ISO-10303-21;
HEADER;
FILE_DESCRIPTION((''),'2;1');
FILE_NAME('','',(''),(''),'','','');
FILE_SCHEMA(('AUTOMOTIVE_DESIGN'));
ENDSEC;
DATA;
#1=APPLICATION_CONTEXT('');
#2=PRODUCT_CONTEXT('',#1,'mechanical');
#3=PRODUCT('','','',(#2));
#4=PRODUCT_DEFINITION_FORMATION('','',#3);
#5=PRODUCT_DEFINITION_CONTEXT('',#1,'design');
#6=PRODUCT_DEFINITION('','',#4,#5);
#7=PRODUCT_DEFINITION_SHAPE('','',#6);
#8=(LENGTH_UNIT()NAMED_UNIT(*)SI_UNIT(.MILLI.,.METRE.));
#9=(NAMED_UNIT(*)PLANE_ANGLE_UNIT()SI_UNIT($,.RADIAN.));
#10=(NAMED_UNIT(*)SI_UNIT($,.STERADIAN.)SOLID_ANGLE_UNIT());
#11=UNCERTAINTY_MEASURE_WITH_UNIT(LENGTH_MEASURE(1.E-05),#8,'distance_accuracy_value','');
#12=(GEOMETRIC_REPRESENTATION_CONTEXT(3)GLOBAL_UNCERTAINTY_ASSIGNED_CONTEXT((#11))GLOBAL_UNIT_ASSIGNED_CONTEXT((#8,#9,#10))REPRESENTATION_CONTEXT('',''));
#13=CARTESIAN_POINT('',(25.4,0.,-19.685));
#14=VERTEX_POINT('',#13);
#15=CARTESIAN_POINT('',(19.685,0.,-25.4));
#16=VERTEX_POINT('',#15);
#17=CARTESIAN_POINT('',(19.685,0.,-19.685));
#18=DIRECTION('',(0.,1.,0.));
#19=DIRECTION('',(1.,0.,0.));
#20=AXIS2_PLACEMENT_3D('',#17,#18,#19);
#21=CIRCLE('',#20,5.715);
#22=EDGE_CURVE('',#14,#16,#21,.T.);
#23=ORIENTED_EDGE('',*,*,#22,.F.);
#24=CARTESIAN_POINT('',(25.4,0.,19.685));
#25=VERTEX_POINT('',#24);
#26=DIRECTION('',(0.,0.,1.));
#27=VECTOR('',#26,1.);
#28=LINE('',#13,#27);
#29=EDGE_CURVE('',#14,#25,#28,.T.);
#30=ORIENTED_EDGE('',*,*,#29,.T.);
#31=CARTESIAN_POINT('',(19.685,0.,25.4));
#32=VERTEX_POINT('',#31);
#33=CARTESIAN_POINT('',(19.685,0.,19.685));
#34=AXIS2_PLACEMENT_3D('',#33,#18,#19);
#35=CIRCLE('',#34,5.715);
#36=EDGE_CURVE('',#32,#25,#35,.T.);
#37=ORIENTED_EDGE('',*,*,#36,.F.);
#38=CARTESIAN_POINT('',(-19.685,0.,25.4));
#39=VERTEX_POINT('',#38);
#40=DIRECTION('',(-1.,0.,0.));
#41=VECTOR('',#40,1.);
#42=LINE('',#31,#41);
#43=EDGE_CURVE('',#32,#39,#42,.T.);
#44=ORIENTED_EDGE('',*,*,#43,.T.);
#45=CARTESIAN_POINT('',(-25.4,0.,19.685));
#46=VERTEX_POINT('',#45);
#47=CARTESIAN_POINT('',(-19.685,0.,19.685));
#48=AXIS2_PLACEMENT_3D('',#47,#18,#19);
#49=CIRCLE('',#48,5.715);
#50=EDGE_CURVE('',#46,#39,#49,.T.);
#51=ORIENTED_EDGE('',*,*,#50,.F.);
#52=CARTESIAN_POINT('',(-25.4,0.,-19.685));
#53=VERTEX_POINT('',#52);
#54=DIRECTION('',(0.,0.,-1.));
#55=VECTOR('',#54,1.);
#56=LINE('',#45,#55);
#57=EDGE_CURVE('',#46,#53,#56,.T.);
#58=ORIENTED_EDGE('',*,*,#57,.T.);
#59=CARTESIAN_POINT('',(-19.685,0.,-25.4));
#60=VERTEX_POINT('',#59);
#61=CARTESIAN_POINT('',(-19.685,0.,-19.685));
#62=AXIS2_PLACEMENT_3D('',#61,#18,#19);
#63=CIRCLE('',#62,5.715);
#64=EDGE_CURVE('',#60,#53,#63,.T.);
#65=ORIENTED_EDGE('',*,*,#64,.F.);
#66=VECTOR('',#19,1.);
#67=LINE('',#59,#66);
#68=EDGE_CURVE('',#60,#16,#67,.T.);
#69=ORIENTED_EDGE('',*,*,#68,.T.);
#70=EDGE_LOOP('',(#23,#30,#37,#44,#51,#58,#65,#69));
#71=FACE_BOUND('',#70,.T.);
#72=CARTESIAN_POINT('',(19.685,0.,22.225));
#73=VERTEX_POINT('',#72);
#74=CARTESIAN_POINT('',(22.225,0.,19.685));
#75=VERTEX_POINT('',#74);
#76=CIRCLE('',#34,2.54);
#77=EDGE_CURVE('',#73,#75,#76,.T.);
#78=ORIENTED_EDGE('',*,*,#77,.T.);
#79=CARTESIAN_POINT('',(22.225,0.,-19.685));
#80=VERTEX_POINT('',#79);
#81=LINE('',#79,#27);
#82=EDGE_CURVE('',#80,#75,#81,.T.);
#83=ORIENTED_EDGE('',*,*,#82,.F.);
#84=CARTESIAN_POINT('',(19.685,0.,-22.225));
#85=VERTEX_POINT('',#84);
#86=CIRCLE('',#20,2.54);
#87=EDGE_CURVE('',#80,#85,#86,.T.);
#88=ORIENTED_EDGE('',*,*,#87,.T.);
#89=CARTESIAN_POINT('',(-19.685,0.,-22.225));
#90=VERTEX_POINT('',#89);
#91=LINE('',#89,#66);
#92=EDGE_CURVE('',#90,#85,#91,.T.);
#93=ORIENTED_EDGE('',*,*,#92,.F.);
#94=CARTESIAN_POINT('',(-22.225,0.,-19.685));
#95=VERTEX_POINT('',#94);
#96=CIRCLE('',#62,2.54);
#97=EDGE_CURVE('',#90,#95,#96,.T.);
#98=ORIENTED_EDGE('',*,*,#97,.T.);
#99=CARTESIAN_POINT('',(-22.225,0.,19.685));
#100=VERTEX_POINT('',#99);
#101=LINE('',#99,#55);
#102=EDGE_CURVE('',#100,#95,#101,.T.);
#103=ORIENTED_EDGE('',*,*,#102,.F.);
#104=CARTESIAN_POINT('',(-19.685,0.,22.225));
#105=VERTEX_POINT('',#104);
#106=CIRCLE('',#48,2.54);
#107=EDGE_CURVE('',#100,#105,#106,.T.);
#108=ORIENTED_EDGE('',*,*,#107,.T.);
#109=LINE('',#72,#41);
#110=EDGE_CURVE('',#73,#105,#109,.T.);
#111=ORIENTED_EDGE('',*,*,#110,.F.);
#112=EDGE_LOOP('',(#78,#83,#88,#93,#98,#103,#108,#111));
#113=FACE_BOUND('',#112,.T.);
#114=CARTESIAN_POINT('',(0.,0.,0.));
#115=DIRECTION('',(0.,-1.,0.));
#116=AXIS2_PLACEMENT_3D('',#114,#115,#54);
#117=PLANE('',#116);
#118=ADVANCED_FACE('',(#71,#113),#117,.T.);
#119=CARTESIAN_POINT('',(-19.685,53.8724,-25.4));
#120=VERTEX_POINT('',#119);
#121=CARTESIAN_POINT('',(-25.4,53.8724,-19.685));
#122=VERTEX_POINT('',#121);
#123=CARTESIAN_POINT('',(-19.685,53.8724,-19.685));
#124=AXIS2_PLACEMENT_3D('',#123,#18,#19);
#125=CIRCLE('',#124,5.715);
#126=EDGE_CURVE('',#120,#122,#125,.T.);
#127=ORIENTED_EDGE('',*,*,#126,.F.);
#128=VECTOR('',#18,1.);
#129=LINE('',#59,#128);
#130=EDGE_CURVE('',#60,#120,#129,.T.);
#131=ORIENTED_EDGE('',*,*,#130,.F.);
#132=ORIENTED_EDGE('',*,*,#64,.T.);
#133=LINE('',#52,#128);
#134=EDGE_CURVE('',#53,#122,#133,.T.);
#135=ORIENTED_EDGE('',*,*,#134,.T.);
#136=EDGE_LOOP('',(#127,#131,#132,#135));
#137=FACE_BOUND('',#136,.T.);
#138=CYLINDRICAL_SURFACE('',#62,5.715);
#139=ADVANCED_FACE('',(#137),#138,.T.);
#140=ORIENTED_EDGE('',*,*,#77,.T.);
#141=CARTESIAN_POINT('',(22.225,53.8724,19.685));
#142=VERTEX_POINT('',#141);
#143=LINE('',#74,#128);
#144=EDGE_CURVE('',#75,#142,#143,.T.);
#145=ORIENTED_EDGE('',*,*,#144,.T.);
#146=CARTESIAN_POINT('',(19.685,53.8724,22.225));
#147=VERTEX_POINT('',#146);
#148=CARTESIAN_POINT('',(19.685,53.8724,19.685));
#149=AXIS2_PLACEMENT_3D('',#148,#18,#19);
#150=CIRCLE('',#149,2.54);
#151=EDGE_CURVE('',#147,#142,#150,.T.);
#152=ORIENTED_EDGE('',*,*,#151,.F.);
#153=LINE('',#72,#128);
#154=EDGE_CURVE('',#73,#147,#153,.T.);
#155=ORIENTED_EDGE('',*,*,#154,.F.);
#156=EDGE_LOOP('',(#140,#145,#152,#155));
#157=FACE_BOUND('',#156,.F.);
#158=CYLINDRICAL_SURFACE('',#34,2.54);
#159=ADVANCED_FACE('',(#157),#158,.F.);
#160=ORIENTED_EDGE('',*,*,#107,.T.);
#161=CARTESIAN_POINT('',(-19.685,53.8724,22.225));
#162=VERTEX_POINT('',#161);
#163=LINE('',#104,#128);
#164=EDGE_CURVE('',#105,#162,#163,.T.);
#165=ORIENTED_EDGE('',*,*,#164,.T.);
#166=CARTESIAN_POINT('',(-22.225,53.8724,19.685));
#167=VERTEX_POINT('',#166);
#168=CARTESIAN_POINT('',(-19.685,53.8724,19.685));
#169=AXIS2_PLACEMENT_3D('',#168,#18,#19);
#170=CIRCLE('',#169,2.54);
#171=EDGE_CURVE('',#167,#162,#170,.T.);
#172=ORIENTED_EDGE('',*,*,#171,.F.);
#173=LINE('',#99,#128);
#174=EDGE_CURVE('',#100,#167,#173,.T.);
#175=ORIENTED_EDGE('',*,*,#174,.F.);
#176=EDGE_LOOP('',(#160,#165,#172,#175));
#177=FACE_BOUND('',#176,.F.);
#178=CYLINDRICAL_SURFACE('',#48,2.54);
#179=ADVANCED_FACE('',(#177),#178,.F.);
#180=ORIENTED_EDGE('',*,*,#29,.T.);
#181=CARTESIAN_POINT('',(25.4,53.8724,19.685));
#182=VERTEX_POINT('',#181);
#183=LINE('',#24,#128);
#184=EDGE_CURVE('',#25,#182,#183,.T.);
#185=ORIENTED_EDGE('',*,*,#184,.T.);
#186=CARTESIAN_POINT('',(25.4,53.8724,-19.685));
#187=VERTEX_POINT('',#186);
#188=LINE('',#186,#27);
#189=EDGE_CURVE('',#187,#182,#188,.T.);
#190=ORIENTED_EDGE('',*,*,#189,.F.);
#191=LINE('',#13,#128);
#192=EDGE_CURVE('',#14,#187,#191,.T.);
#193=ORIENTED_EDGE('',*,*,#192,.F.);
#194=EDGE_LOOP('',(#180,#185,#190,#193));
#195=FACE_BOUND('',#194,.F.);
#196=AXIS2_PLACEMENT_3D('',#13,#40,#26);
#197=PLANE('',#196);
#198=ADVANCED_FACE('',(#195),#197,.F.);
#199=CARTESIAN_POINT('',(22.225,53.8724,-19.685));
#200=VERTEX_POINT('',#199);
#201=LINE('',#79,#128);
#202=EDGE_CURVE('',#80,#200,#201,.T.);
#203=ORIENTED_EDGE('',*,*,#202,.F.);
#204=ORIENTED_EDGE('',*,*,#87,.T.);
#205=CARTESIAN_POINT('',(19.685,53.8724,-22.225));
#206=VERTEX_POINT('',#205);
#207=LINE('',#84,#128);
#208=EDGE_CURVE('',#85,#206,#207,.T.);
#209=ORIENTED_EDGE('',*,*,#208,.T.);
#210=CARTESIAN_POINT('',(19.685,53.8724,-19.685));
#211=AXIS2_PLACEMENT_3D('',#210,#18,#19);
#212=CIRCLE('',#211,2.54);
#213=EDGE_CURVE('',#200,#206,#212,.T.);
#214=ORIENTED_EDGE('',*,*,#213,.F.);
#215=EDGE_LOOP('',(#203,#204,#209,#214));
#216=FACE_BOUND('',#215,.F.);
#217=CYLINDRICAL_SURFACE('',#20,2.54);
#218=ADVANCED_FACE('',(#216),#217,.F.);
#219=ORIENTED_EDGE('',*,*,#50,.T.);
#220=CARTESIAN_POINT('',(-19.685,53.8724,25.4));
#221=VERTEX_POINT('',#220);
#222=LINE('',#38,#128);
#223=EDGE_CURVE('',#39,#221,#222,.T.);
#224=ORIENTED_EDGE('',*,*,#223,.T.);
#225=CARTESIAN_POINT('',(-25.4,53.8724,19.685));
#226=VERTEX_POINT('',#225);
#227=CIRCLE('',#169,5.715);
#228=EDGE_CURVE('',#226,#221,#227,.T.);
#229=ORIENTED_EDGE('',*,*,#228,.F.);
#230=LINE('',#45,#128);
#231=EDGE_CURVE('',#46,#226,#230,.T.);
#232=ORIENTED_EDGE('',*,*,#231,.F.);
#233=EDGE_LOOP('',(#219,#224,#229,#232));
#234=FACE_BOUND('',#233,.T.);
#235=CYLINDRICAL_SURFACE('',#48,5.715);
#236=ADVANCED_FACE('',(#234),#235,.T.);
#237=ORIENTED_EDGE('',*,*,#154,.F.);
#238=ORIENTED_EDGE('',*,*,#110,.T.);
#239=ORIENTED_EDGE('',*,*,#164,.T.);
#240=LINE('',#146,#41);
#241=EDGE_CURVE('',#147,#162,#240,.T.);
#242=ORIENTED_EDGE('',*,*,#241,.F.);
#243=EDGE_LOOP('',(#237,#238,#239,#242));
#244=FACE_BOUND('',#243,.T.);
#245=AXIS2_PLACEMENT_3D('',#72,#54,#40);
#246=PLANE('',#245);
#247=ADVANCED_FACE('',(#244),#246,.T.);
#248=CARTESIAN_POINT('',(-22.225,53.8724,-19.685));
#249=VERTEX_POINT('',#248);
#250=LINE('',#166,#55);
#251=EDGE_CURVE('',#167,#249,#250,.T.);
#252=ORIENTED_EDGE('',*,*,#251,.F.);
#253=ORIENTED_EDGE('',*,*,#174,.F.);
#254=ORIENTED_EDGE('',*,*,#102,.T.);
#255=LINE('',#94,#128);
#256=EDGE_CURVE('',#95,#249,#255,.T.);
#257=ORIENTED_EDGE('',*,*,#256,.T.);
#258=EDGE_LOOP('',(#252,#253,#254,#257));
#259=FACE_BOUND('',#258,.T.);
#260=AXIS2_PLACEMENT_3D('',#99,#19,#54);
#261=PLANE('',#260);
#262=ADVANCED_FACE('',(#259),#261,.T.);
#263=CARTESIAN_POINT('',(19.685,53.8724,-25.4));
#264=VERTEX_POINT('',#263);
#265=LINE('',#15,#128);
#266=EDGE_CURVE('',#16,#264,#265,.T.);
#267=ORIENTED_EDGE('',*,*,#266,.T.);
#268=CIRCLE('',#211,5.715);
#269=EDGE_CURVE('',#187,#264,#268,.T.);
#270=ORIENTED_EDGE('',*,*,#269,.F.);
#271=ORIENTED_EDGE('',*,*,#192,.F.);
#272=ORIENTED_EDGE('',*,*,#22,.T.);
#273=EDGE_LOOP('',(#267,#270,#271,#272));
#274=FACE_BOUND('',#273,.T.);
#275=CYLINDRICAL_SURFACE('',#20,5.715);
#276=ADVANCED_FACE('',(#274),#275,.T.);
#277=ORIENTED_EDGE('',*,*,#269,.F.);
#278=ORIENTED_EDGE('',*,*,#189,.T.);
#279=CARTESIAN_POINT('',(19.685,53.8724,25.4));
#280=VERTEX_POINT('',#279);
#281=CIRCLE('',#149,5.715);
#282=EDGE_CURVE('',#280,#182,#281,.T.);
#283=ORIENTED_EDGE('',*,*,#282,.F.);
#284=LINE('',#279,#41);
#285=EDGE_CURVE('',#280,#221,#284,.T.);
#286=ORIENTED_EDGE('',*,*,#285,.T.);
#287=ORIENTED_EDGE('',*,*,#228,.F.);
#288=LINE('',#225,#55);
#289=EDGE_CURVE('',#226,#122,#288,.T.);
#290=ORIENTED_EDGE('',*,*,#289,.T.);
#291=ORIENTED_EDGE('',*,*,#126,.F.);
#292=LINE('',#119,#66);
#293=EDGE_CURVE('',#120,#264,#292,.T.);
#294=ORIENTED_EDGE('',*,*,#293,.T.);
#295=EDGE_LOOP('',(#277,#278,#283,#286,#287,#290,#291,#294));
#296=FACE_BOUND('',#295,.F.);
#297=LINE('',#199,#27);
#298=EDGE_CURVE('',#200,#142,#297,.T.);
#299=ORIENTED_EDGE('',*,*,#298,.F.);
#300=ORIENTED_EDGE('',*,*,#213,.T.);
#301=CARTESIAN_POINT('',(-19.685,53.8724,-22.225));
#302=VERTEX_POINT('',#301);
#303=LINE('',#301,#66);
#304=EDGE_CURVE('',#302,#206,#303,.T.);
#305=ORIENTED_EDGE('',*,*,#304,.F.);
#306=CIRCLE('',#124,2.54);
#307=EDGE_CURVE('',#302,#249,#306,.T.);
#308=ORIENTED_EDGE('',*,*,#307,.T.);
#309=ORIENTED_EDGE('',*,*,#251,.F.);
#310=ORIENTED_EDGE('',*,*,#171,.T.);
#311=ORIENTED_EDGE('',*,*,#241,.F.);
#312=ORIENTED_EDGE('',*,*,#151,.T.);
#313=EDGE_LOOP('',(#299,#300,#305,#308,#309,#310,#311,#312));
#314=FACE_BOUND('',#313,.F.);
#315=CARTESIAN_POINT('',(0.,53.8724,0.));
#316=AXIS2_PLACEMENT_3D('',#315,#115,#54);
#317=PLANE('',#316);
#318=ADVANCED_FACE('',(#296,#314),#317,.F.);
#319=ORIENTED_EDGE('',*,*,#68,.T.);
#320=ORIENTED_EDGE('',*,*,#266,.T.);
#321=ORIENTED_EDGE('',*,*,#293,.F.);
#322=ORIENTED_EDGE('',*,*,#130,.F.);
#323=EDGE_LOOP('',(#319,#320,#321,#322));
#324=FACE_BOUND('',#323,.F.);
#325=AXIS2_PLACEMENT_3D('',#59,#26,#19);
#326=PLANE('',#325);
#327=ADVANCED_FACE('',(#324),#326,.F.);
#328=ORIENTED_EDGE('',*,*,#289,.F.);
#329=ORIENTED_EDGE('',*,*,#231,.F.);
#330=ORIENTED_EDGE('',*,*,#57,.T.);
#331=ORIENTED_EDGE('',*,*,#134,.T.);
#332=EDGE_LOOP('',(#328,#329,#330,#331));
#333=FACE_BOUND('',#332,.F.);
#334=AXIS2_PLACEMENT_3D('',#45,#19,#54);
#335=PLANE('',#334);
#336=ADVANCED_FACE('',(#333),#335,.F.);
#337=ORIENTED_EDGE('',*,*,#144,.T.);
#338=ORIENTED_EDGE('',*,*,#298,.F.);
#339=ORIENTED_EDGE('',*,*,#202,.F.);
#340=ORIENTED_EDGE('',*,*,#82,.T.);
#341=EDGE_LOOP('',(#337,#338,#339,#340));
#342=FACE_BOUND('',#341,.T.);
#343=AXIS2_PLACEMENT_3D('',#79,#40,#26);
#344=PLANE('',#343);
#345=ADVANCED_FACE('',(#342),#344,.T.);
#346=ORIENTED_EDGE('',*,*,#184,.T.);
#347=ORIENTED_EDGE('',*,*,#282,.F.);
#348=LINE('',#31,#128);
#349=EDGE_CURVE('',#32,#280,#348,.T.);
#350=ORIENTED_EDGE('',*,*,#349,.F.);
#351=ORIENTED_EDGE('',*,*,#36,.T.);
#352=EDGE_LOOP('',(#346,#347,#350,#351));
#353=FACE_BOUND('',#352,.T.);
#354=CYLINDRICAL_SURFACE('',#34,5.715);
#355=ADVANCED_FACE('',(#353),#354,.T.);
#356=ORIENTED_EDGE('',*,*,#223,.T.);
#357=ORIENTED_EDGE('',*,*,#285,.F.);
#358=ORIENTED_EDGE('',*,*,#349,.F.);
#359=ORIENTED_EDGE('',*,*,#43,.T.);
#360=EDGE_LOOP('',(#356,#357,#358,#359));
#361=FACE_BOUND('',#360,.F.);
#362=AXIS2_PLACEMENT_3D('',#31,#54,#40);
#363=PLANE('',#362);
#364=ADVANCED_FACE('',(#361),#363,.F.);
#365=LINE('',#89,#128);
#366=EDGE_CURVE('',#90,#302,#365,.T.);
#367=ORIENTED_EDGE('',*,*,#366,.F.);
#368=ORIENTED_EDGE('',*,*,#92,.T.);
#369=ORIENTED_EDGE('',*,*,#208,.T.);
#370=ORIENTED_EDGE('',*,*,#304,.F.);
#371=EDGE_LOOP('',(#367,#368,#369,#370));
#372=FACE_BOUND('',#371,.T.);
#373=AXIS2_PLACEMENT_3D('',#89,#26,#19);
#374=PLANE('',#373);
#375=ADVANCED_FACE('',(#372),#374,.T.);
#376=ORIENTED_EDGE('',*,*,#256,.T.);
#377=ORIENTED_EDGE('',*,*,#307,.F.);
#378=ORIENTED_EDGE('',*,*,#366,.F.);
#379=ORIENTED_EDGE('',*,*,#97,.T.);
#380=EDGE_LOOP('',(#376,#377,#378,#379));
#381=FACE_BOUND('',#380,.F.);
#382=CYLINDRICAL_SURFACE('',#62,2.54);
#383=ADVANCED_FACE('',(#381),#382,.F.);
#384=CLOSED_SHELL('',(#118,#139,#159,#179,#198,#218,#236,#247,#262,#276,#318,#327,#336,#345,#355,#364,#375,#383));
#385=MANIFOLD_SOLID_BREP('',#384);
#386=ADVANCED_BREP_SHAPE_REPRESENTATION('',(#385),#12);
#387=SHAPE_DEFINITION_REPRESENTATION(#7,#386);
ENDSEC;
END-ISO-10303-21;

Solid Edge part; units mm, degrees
sketch "Sketch1" plane through (0, 0, 0) normal (1, 0, 0) x (0, 1, 0)
  line L0 (0, 0) -> (53.8724, 0)
sketch "Sketch2" plane through (0, 0, 0) normal (0, -1, 0) x (1, 0, 0)
  line L0 (25.4, -19.685) -> (25.4, 19.685)
  arc A0 (19.685, 25.4) -> (25.4, 19.685) centre (19.685, 19.685) cw
  line L1 (19.685, 25.4) -> (-19.685, 25.4)
  arc A1 (-19.685, 25.4) -> (-25.4, 19.685) centre (-19.685, 19.685) ccw
  line L2 (-25.4, 19.685) -> (-25.4, -19.685)
  arc A2 (-25.4, -19.685) -> (-19.685, -25.4) centre (-19.685, -19.685) ccw
  line L3 (-19.685, -25.4) -> (19.685, -25.4)
  arc A3 (19.685, -25.4) -> (25.4, -19.685) centre (19.685, -19.685) ccw
sweep "Protrusion_1" add profiles "Sketch2" path "Sketch1"
sketch "Sketch3" plane through (0, 0, 0) normal (1, 0, 0) x (0, 1, 0)
  line L0 (0, 0) -> (53.8724, 0)
sketch "Sketch4" plane through (0, 0, 0) normal (0, -1, 0) x (1, 0, 0)
  line L0 (-19.685, -22.225) -> (19.685, -22.225)
  arc A0 (19.685, -22.225) -> (22.225, -19.685) centre (19.685, -19.685) ccw
  line L1 (22.225, -19.685) -> (22.225, 19.685)
  arc A1 (22.225, 19.685) -> (19.685, 22.225) centre (19.685, 19.685) ccw
  line L2 (19.685, 22.225) -> (-19.685, 22.225)
  arc A2 (-19.685, 22.225) -> (-22.225, 19.685) centre (-19.685, 19.685) ccw
  line L3 (-22.225, 19.685) -> (-22.225, -19.685)
  arc A3 (-22.225, -19.685) -> (-19.685, -22.225) centre (-19.685, -19.685) ccw
sweep "Cutout_1" cut profiles "Sketch4" path "Sketch3"
